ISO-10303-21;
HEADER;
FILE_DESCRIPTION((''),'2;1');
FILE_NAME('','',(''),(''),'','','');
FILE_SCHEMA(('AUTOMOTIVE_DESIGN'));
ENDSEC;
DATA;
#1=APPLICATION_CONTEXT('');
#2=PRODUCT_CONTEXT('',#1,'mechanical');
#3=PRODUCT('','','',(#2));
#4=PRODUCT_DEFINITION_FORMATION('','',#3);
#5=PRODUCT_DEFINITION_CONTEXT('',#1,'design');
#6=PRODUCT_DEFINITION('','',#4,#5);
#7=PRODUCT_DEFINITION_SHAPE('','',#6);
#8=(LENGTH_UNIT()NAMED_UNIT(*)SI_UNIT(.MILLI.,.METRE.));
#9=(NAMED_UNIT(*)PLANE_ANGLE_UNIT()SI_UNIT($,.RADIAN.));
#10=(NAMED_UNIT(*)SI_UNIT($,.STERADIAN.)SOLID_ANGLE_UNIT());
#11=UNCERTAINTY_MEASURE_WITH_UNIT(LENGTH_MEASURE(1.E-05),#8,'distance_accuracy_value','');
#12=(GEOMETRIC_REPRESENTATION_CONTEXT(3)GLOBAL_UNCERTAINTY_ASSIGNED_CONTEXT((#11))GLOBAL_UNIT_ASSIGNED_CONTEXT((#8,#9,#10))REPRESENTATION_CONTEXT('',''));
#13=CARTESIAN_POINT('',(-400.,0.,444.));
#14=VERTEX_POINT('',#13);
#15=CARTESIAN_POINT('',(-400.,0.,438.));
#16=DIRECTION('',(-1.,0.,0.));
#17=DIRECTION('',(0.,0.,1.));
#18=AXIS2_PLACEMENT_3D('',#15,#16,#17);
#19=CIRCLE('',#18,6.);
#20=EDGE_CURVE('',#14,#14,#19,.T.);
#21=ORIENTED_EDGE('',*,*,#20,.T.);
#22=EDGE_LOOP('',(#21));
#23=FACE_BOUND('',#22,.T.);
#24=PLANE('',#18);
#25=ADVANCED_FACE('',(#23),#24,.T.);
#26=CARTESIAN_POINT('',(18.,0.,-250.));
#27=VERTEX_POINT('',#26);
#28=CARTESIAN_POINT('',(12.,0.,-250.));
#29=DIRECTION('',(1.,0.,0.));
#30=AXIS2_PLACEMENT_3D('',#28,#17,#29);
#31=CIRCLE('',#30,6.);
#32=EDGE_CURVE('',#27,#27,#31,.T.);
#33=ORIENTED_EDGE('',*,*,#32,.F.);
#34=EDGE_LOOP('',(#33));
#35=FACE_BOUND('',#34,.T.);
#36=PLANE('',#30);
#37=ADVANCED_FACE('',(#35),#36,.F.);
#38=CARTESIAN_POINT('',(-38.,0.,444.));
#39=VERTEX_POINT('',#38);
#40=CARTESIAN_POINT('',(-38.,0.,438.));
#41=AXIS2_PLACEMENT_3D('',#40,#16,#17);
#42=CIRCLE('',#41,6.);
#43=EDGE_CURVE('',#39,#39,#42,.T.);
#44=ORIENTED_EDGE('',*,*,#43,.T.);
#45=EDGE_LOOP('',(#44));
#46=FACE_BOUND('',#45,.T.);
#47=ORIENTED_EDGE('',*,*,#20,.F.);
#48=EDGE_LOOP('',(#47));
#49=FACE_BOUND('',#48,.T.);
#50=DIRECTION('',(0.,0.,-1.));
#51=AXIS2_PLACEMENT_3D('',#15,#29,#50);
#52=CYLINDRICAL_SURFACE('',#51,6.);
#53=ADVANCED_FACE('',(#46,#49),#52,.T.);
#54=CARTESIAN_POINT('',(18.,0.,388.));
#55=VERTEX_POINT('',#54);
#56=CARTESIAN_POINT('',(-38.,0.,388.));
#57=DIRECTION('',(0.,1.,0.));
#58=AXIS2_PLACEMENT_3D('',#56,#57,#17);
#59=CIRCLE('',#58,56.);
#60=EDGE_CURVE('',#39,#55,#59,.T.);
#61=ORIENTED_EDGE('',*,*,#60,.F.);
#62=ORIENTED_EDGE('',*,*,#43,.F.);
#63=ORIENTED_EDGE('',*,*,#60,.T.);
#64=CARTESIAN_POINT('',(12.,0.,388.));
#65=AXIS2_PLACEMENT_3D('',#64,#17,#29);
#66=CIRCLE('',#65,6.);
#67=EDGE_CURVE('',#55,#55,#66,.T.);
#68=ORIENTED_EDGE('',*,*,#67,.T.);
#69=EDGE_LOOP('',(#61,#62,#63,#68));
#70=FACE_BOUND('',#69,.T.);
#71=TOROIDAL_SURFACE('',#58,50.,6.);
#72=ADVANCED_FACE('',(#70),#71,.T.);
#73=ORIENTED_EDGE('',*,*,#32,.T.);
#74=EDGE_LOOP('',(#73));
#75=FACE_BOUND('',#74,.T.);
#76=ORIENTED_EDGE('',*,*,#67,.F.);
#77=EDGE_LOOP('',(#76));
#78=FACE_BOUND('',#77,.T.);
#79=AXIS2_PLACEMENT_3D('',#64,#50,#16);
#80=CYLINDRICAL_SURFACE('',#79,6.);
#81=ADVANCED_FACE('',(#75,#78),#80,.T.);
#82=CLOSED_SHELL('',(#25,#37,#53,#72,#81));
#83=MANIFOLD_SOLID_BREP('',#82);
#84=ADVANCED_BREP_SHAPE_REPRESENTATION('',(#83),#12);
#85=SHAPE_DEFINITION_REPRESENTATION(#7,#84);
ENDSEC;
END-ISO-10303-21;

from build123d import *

# Parameters (mm, degrees)
SKETCH_2_R = 6


with BuildPart() as part:
    # По траектории1: sweep along a path in Эскиз1
    with BuildLine(Plane(origin=(0, 0, 0), x_dir=(1, 0, 0), z_dir=(0, 1, 0))) as sweep_1_path:
        Line((12, 250), (12, -388))
        ThreePointArc((12, -388), (-2.644660941, -423.355339059), (-38, -438))
        Line((-38, -438), (-400, -438))
    # Эскиз2 → По траектории1 (sweep)
    with BuildSketch(Plane(origin=(150, -150, 0), x_dir=(1, 0, 0), z_dir=(0, 0, 1))):
        with Locations((-138, 150)):
            Circle(SKETCH_2_R)
    sweep(path=sweep_1_path.line)


solid = part.part
